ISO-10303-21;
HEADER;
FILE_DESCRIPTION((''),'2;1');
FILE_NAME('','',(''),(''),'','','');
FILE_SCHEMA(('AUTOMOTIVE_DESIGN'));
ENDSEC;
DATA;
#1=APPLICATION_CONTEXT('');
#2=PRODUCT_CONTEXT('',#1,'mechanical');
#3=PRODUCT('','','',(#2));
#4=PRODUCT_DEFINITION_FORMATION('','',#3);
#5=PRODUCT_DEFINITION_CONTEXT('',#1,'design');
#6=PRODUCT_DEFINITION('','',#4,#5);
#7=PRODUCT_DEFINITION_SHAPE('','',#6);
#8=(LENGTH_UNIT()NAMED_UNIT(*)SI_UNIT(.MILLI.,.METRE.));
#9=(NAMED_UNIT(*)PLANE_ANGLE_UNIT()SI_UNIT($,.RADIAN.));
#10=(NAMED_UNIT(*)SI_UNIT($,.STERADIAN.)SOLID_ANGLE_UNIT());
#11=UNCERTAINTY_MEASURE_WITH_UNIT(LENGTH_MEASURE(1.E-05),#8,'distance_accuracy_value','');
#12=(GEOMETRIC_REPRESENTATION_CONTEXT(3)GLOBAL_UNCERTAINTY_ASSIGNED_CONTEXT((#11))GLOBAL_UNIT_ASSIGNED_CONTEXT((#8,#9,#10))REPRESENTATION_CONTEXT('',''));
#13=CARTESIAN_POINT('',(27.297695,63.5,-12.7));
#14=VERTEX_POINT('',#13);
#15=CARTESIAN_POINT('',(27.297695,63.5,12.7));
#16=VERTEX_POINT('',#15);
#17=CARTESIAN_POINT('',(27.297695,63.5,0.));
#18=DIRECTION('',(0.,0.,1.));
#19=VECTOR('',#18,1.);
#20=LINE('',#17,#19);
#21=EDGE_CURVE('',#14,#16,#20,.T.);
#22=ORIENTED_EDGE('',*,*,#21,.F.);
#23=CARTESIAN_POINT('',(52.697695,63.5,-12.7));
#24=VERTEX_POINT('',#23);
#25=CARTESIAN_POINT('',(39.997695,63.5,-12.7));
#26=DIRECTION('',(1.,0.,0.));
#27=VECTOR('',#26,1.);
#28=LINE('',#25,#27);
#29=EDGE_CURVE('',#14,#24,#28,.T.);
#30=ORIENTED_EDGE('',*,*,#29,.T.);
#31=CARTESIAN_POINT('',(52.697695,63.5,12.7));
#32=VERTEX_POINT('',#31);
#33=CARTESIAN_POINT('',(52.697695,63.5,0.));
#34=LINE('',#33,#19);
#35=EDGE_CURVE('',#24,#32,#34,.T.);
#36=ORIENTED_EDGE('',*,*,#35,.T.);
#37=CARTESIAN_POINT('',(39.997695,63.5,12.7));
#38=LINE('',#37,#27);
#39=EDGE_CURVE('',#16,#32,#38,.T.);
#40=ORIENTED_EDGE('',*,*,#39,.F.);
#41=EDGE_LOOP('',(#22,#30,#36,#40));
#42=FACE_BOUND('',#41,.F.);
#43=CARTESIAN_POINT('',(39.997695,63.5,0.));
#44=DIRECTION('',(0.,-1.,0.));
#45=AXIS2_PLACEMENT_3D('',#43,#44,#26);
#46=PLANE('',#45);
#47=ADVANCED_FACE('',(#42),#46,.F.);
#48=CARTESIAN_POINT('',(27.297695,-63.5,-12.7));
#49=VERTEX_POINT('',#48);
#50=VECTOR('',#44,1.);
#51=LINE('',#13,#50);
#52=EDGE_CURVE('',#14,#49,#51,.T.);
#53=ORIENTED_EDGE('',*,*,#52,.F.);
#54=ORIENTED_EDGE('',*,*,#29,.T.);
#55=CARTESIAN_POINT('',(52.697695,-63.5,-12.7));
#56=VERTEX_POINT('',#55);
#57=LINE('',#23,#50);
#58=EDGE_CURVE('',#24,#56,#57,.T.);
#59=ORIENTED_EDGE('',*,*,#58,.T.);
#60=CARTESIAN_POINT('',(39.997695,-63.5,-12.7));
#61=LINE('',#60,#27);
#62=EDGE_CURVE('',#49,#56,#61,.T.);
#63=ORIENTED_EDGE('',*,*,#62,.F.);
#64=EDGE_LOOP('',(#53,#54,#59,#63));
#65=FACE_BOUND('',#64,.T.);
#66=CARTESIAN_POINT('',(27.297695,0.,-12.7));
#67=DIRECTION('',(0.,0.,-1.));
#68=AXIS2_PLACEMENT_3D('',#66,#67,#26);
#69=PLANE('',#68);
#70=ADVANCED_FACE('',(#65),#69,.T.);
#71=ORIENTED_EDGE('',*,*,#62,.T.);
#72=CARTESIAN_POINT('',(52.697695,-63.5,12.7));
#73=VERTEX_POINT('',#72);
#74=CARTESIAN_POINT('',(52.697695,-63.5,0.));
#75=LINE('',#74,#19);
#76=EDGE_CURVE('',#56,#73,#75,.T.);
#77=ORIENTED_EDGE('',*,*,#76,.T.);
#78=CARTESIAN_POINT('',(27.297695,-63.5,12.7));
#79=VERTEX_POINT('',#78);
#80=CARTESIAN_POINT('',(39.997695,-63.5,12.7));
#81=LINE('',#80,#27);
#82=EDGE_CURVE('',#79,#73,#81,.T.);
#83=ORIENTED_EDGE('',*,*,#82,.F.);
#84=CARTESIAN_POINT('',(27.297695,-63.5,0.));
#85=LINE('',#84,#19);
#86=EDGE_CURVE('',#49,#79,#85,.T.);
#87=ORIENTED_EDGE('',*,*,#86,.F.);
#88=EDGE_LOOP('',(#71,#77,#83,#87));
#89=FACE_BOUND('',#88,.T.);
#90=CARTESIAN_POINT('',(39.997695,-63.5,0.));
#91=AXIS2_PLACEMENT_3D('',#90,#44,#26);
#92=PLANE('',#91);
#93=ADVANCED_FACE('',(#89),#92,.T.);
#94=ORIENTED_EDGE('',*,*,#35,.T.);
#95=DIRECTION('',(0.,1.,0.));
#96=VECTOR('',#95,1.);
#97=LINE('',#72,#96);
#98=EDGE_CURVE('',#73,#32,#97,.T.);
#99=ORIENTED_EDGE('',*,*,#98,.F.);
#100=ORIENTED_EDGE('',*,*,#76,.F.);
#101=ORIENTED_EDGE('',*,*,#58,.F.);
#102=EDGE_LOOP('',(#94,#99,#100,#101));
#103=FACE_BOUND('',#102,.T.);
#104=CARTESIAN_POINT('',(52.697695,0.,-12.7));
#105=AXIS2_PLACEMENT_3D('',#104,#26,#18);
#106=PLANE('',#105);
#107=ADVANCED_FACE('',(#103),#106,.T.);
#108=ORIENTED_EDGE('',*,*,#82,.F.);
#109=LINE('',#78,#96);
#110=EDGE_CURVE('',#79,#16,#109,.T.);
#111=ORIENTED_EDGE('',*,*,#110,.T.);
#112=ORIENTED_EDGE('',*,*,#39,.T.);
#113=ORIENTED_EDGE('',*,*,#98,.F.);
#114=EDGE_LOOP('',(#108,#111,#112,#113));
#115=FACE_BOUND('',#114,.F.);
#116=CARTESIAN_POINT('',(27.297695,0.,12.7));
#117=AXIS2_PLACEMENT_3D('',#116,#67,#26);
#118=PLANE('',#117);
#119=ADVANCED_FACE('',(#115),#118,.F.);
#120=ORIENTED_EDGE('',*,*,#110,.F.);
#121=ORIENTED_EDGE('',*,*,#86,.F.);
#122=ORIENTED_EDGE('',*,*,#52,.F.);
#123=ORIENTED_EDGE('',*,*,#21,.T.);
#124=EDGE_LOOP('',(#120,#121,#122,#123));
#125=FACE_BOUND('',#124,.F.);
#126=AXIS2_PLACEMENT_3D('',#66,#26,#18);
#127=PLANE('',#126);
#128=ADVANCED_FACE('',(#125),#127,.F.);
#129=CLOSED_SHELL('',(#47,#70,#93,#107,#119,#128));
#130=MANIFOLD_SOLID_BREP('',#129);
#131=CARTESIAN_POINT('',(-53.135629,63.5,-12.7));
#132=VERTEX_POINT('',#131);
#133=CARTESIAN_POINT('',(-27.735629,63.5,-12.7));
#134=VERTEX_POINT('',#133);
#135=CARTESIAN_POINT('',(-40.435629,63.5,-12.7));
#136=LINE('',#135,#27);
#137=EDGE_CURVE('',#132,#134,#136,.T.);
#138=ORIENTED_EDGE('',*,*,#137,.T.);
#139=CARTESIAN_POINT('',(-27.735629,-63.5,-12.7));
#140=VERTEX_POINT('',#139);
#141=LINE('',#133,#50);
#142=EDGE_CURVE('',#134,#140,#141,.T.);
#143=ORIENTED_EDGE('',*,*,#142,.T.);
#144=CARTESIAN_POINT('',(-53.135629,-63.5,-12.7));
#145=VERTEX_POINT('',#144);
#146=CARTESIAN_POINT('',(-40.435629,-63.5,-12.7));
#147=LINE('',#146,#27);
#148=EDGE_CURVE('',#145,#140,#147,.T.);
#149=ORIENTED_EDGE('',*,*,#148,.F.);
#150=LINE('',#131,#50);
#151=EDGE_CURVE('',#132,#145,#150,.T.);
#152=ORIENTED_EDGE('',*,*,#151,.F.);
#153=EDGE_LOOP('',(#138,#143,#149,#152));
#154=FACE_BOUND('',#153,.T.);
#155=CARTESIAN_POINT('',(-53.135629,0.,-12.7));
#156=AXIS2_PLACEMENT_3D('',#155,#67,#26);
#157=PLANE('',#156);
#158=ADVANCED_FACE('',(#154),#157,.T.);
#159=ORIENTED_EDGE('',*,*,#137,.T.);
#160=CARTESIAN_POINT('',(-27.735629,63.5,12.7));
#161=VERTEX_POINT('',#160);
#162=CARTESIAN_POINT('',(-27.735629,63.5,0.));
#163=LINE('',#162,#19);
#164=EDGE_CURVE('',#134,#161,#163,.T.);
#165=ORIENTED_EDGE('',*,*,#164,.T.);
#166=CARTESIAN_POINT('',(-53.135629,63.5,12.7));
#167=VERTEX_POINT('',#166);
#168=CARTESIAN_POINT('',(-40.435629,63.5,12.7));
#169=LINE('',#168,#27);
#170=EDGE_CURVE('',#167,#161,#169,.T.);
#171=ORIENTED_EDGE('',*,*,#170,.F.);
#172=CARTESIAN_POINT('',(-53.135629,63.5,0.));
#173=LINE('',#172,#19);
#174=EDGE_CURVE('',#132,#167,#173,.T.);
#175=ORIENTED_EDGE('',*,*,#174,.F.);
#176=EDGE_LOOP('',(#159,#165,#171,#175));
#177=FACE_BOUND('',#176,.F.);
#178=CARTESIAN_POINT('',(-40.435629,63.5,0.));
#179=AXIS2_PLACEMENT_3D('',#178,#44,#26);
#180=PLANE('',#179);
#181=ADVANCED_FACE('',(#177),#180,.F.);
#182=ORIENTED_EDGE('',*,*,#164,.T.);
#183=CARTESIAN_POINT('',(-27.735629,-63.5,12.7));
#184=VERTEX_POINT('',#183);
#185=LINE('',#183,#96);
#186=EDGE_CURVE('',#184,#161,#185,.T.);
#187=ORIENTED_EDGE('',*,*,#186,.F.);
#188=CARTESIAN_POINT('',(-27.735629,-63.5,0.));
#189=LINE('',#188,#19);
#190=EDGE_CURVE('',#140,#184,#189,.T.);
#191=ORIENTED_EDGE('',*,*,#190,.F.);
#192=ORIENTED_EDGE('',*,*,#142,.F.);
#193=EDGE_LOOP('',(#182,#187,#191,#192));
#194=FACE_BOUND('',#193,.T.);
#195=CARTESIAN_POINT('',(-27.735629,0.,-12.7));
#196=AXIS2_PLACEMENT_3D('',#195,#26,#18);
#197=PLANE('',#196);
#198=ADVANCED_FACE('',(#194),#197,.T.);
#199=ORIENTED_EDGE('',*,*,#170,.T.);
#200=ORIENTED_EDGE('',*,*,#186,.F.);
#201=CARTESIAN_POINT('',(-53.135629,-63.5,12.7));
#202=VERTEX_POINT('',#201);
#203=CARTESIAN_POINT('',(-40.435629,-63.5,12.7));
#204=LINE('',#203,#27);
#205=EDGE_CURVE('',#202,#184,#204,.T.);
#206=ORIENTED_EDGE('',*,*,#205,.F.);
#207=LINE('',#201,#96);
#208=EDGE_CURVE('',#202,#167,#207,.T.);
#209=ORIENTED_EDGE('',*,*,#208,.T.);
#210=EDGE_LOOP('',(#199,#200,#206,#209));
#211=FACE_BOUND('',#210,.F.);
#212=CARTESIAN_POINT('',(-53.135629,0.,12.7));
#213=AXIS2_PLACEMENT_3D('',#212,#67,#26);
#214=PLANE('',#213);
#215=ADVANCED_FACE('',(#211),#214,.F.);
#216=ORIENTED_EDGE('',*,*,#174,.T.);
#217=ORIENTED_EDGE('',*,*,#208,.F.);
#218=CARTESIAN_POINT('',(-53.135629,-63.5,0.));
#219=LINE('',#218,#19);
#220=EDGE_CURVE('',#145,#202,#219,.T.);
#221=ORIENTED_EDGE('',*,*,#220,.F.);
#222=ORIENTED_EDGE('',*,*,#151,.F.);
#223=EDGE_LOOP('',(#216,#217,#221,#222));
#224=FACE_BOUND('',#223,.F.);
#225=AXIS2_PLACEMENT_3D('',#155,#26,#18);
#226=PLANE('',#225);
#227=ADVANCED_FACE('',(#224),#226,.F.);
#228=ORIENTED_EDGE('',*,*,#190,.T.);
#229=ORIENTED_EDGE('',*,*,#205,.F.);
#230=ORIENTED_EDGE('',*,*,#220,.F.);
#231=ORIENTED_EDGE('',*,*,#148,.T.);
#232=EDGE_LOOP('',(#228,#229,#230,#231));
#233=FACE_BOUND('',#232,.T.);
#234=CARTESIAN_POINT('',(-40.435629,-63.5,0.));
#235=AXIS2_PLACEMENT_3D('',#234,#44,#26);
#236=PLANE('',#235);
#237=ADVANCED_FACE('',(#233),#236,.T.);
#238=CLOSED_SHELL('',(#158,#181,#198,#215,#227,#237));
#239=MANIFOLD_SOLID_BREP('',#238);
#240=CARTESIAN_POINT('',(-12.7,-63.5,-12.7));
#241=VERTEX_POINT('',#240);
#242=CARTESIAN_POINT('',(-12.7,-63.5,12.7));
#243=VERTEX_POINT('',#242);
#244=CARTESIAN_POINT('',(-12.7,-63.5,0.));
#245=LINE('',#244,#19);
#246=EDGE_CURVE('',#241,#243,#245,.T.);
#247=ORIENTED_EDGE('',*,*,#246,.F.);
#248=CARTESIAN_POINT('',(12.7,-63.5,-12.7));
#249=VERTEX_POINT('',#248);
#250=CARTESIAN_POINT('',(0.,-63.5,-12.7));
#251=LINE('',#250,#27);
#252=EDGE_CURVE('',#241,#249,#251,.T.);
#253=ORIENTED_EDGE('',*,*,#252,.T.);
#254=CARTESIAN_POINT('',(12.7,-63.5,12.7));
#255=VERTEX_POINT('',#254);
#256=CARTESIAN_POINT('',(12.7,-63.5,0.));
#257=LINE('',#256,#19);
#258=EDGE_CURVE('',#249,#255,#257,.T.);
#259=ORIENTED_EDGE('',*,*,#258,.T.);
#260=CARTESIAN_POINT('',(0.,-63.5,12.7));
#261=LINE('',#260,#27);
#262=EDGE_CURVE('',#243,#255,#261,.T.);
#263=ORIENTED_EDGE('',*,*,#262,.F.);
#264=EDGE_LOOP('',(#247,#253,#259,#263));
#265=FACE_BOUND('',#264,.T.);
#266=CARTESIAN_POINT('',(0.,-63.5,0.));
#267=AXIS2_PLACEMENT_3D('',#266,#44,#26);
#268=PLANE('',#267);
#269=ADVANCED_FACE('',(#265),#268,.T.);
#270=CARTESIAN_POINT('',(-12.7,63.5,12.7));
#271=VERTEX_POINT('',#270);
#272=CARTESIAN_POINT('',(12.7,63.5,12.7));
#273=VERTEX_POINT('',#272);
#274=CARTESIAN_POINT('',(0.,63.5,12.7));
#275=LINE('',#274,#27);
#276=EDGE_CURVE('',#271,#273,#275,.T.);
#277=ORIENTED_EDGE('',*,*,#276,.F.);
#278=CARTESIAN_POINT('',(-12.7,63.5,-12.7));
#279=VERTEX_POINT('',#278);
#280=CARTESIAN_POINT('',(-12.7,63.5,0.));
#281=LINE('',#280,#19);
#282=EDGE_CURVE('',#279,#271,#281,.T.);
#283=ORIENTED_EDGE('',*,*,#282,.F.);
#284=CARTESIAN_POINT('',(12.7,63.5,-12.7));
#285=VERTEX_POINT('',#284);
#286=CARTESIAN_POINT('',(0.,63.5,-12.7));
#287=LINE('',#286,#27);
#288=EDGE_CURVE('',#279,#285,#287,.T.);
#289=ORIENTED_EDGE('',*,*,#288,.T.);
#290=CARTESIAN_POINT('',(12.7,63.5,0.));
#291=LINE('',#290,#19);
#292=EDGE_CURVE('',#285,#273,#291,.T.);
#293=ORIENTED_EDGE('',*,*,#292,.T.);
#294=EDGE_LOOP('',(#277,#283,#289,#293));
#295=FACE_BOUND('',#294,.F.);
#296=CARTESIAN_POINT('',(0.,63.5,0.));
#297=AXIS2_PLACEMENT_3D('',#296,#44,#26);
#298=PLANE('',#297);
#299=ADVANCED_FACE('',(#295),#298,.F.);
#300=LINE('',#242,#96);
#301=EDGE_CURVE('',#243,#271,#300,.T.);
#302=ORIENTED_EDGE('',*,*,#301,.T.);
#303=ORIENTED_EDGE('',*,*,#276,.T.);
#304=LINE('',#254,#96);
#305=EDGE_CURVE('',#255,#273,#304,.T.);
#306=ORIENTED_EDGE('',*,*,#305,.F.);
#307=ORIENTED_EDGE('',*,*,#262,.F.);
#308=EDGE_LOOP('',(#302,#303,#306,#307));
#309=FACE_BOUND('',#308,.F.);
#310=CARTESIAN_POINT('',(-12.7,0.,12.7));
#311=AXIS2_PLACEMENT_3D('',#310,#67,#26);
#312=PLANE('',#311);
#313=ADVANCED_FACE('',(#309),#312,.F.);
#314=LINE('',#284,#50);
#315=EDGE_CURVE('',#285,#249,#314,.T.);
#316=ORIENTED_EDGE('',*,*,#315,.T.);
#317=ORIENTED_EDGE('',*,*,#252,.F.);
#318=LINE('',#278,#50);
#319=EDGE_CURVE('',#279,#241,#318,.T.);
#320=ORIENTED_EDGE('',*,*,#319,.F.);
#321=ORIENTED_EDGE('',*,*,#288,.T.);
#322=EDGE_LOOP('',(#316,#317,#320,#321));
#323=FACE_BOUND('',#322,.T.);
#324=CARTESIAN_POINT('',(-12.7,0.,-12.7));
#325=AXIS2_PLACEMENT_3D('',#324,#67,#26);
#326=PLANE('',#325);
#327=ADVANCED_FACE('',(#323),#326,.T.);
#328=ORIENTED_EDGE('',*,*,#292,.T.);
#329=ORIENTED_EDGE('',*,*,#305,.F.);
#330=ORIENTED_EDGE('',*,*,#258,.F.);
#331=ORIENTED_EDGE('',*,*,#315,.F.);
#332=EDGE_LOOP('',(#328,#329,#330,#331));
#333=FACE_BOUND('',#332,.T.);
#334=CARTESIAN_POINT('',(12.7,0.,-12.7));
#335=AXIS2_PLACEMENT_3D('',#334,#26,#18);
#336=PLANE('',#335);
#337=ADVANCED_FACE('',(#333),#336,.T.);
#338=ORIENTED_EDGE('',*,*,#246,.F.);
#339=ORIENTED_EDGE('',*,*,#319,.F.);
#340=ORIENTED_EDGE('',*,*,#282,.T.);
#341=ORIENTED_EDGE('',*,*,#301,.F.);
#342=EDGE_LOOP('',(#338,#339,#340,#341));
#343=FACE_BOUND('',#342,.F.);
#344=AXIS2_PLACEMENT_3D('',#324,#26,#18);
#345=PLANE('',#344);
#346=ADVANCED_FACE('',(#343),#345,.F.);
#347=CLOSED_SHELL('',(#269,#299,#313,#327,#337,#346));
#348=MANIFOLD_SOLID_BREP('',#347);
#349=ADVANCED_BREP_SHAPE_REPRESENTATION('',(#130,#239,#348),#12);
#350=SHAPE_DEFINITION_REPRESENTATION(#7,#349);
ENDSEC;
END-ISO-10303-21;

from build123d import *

# Parameters (mm, degrees)
F0_W     = 25.4
F0_H     = 25.4
F1_DEPTH = 63.5
F2_DEPTH = 63.5
F3_DEPTH = 63.5


with BuildPart() as f1:
    # F0 (on Front) → F1 (new body, symmetric)
    with BuildSketch(Plane.XZ):
        with Locations((-40.435629, 0)):
            Rectangle(F0_W, F0_H)
    extrude(amount=F1_DEPTH, both=True)


with BuildPart() as f2:
    # F0 (on Front) → F2 (new body, symmetric)
    with BuildSketch(Plane.XZ):
        Rectangle(F0_W, F0_H)
    extrude(amount=F2_DEPTH, both=True)


with BuildPart() as f3:
    # F0 (on Front) → F3 (new body, symmetric)
    with BuildSketch(Plane.XZ):
        with Locations((39.997695, 0)):
            Rectangle(F0_W, F0_H)
    extrude(amount=F3_DEPTH, both=True)


solid = Compound([f1.part, f2.part, f3.part])
